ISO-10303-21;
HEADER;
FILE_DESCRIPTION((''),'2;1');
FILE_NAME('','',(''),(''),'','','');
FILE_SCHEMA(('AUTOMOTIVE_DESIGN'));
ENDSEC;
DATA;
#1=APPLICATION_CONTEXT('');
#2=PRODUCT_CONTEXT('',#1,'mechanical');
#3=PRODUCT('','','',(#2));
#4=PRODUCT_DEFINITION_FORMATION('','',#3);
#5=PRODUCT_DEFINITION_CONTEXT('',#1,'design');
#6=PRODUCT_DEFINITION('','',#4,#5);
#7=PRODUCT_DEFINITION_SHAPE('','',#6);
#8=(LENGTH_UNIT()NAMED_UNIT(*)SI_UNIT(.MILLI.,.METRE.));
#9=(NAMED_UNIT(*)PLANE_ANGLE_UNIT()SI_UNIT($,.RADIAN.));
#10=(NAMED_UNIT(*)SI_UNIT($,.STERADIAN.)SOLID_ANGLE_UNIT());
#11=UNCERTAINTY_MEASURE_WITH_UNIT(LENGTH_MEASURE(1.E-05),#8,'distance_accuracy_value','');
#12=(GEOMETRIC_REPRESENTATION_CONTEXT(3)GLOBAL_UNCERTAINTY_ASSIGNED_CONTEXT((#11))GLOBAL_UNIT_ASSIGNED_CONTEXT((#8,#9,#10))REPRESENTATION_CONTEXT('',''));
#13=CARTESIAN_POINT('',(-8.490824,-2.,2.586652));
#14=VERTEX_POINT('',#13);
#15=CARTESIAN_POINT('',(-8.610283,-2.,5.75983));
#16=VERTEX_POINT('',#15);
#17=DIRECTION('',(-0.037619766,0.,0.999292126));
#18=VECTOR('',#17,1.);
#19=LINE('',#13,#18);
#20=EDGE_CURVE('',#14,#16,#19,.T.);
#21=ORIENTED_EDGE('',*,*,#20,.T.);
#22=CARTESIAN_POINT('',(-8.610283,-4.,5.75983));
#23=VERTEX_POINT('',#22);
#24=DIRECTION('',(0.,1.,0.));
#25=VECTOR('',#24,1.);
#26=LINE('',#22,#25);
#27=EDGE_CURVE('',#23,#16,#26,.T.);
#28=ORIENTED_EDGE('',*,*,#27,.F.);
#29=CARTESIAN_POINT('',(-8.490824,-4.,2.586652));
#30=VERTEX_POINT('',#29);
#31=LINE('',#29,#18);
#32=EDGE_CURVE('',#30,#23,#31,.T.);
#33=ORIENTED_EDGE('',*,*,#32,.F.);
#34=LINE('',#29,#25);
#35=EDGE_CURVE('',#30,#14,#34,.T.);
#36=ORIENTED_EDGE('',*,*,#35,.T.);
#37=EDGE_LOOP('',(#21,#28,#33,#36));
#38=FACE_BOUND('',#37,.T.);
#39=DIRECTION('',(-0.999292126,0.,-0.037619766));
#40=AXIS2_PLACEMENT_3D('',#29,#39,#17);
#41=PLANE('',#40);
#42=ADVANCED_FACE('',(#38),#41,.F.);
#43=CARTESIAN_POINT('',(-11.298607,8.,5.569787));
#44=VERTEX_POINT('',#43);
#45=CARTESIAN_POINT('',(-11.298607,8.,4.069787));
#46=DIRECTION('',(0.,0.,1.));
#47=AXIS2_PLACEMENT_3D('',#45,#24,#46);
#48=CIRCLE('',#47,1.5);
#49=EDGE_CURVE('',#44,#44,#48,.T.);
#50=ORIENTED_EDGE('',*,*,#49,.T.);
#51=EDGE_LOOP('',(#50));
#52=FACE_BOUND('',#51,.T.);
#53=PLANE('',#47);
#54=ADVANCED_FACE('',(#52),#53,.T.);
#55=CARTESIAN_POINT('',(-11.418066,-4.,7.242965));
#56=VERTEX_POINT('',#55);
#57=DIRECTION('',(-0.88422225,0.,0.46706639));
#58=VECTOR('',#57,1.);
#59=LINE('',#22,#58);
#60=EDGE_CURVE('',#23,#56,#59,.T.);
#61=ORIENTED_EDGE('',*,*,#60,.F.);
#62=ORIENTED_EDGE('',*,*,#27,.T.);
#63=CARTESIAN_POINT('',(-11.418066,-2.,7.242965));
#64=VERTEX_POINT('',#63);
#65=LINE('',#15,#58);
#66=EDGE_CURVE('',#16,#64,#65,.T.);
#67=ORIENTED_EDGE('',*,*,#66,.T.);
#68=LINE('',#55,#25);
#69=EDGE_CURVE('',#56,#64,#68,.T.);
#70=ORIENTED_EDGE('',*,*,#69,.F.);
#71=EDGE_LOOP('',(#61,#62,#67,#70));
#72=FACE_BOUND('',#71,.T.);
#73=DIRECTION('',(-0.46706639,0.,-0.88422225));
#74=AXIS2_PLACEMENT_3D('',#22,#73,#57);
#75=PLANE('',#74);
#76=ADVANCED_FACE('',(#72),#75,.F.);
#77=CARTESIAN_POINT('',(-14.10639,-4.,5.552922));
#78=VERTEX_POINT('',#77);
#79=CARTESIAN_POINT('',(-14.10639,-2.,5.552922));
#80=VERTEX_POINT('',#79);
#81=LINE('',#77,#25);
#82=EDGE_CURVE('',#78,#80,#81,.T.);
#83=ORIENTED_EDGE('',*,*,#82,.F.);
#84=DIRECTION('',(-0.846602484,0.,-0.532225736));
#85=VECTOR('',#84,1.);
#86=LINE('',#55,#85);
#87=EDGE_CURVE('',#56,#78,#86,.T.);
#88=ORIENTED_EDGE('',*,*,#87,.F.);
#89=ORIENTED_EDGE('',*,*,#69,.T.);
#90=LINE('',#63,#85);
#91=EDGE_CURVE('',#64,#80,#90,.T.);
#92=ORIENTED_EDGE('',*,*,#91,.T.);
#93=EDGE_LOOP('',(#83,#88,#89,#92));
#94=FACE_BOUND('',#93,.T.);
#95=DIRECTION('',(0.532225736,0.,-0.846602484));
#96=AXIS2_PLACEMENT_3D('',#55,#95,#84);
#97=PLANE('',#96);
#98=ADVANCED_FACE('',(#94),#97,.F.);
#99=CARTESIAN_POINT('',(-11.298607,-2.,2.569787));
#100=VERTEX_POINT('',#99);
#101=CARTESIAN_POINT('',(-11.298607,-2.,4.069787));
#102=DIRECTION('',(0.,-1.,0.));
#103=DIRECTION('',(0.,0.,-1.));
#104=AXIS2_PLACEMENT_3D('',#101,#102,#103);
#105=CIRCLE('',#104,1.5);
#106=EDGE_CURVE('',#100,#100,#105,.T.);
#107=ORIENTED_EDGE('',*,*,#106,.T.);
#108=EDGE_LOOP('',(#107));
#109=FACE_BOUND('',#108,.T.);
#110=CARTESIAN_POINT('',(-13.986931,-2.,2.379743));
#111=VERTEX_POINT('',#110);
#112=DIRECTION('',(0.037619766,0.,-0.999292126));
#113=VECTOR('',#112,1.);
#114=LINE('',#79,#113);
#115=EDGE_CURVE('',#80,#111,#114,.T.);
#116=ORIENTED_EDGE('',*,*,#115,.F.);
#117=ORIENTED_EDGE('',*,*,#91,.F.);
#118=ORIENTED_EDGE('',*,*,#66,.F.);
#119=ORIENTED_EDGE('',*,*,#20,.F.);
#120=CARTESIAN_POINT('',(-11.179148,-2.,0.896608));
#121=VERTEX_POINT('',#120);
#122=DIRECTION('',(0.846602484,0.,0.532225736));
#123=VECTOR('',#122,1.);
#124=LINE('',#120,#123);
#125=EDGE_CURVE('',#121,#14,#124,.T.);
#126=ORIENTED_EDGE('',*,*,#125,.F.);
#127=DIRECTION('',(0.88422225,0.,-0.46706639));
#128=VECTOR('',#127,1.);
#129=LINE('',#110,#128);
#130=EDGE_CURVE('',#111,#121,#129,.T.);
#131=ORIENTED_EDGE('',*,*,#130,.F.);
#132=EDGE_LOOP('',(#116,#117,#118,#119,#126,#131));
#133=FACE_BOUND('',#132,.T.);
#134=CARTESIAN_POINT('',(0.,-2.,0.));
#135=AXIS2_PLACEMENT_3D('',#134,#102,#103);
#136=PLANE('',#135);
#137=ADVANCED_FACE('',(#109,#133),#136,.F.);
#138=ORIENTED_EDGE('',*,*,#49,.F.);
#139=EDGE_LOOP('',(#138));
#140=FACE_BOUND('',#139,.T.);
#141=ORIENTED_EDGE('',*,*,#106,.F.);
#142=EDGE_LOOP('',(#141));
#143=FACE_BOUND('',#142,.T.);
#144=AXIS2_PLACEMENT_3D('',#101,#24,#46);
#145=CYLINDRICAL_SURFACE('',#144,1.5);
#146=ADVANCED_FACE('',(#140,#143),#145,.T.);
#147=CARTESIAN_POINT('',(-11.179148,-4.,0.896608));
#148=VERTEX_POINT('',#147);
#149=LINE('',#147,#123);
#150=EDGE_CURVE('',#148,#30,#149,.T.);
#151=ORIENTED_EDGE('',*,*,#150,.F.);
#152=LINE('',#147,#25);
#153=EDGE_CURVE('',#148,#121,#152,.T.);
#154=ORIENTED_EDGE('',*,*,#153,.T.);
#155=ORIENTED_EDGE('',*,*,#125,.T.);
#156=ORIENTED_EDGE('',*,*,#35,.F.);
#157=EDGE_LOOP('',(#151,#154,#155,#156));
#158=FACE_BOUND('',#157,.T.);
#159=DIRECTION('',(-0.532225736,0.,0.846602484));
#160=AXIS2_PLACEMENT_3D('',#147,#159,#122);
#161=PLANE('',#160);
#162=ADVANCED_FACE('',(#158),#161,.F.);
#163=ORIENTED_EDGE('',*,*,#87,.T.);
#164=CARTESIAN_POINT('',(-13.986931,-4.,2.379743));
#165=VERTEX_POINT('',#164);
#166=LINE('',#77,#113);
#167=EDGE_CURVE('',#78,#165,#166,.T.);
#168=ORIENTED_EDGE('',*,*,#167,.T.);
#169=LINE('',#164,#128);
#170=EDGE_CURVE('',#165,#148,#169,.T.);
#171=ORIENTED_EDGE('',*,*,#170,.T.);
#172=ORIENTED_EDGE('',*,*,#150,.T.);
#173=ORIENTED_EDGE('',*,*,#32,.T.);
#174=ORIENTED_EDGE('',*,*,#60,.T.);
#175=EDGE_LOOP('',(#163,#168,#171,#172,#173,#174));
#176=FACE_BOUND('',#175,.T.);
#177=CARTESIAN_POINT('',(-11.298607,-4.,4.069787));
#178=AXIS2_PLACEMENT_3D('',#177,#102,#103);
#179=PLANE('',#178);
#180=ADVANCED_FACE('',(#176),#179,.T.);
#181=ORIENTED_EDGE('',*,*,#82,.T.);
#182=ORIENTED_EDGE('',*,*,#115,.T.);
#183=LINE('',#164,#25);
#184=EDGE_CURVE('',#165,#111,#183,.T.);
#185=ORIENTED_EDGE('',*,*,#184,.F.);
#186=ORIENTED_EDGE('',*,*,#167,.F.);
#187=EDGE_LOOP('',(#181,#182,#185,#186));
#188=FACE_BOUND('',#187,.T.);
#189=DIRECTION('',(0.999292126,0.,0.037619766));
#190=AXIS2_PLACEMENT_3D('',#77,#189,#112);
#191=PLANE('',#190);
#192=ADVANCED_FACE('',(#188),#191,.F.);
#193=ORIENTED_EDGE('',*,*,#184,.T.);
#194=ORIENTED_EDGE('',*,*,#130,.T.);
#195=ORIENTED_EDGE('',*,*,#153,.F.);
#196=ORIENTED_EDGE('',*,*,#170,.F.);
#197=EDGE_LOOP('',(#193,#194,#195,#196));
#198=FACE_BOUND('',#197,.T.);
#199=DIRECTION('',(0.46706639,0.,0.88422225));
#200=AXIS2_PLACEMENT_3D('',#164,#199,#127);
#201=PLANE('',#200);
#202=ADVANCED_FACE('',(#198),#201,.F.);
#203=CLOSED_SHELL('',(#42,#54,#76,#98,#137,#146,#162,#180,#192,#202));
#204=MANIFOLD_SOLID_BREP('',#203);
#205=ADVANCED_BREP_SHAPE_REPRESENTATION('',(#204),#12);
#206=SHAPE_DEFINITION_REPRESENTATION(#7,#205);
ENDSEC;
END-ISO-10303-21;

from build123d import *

# Parameters (mm, degrees)
BOSS_EXTRUDE1_DEPTH      = 8
BOSS_EXTRUDE1_DEPTH_BACK = 2
SKETCH1_R                = 1.5
SKETCH2_R                = 1.5
BOSS_EXTRUDE2_DEPTH      = 2
SKETCH5_R                = 1.5
BOSS_EXTRUDE3_DEPTH      = 2


with BuildPart() as part:
    # Sketch1 → Boss-Extrude1 (new, two sides: drawn at the far end of the back side and taken through both)
    with BuildSketch(Plane(origin=(0, 0, 0), x_dir=(1, 0, 0), z_dir=(0, 1, 0)).offset(-BOSS_EXTRUDE1_DEPTH_BACK)):
        with Locations(Location((-11.29860715, -4.069786589, 0), (0, 0, 270))):
            Circle(SKETCH1_R)
    extrude(amount=BOSS_EXTRUDE1_DEPTH + BOSS_EXTRUDE1_DEPTH_BACK)



with BuildPart() as body_2:
    # Sketch2 → Boss-Extrude2 (new body)
    with BuildSketch(Plane.XZ.offset(2)):
        Polygon((-14.106389898, 5.552921571), (-13.986931095, 2.379742892), (-11.179148348, 0.89660791), (-8.490824402, 2.586651607), (-8.610283205, 5.759830286), (-11.418065953, 7.242965268), align=None)
        with Locations(Location((-11.29860715, 4.069786589, 0), (0, 0, 90))):
            Circle(SKETCH2_R, mode=Mode.SUBTRACT)
    extrude(amount=BOSS_EXTRUDE2_DEPTH)


with BuildPart() as part_1:
    add(part.part)

    add(body_2.part)  # Boss-Extrude3 merges body 2
    # Sketch5 → Boss-Extrude3 (add)
    with BuildSketch(Plane.XZ.offset(4)):
        with Locations(Location((-11.29860715, 4.069786589, 0), (0, 0, 90))):
            Circle(SKETCH5_R)
    extrude(amount=-BOSS_EXTRUDE3_DEPTH)


solid = part_1.part
